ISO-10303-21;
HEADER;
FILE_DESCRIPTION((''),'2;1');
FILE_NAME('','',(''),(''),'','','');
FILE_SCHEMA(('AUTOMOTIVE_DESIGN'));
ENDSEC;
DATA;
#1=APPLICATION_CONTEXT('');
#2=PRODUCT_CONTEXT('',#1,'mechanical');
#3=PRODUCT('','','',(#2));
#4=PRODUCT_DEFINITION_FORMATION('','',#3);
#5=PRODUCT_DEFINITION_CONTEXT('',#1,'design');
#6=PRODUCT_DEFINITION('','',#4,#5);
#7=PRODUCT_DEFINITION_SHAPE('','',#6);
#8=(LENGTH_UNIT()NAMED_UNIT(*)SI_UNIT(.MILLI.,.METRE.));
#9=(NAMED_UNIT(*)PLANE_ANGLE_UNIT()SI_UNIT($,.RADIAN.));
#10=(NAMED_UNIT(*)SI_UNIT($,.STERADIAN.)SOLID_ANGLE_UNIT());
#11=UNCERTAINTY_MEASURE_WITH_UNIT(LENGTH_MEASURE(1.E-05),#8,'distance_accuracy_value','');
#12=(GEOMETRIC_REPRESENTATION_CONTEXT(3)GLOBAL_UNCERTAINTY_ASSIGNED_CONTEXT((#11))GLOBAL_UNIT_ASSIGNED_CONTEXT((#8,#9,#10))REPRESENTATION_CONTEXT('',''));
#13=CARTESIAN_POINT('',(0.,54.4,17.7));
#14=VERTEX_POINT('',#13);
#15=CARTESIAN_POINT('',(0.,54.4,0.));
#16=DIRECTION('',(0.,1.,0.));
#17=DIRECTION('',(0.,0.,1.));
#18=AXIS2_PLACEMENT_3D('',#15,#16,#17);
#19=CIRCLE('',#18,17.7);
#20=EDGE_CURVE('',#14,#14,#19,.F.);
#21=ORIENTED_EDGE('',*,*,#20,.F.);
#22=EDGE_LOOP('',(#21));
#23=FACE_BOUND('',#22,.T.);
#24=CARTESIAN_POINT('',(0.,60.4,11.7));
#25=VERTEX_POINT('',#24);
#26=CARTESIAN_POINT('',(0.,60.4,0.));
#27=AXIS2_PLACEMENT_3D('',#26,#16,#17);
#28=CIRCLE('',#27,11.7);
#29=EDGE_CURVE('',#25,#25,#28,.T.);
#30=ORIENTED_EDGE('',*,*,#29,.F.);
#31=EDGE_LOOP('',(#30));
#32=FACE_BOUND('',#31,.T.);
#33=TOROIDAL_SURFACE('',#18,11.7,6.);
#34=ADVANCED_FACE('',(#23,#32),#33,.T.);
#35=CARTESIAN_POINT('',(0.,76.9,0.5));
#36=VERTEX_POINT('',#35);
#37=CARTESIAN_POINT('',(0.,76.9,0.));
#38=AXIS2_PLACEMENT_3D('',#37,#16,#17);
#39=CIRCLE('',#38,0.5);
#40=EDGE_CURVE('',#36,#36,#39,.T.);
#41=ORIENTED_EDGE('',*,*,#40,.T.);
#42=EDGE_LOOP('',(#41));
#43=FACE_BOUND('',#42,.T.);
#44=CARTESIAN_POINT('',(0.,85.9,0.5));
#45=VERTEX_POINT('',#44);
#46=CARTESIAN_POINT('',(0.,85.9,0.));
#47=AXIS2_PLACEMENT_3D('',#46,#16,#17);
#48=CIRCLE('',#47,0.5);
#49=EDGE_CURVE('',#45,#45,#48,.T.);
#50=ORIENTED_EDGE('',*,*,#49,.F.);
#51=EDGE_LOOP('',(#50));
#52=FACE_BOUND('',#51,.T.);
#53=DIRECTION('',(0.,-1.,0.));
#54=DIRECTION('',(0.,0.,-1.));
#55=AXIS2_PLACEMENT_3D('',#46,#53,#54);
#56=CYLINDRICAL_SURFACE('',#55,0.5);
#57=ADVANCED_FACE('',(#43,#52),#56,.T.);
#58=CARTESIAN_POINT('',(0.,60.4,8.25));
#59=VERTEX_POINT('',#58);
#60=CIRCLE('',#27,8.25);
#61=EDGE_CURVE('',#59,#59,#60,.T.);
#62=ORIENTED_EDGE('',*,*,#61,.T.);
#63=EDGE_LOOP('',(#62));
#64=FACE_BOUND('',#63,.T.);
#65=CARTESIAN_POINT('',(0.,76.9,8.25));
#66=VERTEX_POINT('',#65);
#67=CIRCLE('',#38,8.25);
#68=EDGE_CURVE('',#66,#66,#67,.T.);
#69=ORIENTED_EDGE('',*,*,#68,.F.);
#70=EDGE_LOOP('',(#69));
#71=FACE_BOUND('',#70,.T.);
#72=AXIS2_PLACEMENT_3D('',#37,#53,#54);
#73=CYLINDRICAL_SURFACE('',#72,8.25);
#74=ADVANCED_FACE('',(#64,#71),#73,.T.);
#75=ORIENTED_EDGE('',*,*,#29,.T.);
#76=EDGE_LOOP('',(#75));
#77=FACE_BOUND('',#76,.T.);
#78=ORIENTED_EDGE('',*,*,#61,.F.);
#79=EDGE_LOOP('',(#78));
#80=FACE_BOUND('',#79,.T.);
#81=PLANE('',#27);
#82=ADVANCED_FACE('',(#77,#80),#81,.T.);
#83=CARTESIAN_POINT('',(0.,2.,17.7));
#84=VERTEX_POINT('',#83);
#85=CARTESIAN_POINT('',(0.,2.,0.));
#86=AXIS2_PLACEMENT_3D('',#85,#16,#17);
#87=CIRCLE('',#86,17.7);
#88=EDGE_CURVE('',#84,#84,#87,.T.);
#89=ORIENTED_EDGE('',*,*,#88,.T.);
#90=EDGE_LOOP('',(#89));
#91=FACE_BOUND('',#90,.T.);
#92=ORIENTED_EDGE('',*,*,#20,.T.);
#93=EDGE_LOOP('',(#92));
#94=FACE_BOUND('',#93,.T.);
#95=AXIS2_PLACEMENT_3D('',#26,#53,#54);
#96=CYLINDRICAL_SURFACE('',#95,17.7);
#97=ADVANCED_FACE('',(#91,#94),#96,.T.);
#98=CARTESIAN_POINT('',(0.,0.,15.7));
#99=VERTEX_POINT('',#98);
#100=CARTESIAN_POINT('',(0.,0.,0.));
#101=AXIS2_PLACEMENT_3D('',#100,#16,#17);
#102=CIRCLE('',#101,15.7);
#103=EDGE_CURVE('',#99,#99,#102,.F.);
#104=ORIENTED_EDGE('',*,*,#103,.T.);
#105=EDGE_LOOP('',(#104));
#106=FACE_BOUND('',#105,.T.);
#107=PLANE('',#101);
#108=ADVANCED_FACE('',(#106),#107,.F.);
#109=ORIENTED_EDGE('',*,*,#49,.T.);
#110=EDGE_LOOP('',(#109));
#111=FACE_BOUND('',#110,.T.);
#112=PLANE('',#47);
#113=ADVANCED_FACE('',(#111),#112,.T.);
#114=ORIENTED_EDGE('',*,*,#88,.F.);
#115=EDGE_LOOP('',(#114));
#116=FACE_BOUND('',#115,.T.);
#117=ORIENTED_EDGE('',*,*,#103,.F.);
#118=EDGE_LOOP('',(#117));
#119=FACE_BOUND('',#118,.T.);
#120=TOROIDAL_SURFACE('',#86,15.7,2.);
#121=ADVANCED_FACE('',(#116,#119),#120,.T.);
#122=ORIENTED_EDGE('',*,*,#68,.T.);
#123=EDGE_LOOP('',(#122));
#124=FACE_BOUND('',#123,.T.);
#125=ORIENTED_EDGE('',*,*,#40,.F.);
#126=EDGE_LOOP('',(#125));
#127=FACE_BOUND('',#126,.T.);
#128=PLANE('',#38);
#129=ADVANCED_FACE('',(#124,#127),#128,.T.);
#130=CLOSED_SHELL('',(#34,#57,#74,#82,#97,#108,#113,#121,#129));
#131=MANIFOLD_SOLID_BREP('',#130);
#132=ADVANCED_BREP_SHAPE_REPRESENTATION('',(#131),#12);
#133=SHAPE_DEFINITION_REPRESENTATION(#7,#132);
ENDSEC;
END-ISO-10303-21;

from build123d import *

# Parameters (mm, degrees)
CROQUIS1_R              = 17.7
SALIENTE_EXTRUIR1_DEPTH = 60.4
REDONDEO1_R             = 6
REDONDEO2_R             = 2
CROQUIS2_R              = 8.25
SALIENTE_EXTRUIR2_DEPTH = 16.5
CROQUIS3_R              = 0.5
SALIENTE_EXTRUIR3_DEPTH = 9


with BuildPart() as part:
    # Croquis1 → Saliente-Extruir1 (new body)
    with BuildSketch(Plane(origin=(0, 0, 0), x_dir=(1, 0, 0), z_dir=(0, 1, 0))):
        Circle(CROQUIS1_R)
    extrude(amount=SALIENTE_EXTRUIR1_DEPTH)

    # Redondeo1
    redondeo1_edges = [part.edges().sort_by_distance(p)[0] for p in [
        (-17.7, 60.4, 0),
    ]]
    fillet(redondeo1_edges, radius=REDONDEO1_R)

    # Redondeo2
    redondeo2_edges = [part.edges().sort_by_distance(p)[0] for p in [
        (-17.7, 0, 0),
    ]]
    fillet(redondeo2_edges, radius=REDONDEO2_R)

    # Croquis2 → Saliente-Extruir2 (add)
    with BuildSketch(Plane(origin=(0, 60.4, 0), x_dir=(1, 0, 0), z_dir=(0, 1, 0))):
        Circle(CROQUIS2_R)
    extrude(amount=SALIENTE_EXTRUIR2_DEPTH)

    # Croquis3 → Saliente-Extruir3 (add)
    with BuildSketch(Plane(origin=(0, 76.9, 0), x_dir=(1, 0, 0), z_dir=(0, 1, 0))):
        Circle(CROQUIS3_R)
    extrude(amount=SALIENTE_EXTRUIR3_DEPTH)


solid = part.part
